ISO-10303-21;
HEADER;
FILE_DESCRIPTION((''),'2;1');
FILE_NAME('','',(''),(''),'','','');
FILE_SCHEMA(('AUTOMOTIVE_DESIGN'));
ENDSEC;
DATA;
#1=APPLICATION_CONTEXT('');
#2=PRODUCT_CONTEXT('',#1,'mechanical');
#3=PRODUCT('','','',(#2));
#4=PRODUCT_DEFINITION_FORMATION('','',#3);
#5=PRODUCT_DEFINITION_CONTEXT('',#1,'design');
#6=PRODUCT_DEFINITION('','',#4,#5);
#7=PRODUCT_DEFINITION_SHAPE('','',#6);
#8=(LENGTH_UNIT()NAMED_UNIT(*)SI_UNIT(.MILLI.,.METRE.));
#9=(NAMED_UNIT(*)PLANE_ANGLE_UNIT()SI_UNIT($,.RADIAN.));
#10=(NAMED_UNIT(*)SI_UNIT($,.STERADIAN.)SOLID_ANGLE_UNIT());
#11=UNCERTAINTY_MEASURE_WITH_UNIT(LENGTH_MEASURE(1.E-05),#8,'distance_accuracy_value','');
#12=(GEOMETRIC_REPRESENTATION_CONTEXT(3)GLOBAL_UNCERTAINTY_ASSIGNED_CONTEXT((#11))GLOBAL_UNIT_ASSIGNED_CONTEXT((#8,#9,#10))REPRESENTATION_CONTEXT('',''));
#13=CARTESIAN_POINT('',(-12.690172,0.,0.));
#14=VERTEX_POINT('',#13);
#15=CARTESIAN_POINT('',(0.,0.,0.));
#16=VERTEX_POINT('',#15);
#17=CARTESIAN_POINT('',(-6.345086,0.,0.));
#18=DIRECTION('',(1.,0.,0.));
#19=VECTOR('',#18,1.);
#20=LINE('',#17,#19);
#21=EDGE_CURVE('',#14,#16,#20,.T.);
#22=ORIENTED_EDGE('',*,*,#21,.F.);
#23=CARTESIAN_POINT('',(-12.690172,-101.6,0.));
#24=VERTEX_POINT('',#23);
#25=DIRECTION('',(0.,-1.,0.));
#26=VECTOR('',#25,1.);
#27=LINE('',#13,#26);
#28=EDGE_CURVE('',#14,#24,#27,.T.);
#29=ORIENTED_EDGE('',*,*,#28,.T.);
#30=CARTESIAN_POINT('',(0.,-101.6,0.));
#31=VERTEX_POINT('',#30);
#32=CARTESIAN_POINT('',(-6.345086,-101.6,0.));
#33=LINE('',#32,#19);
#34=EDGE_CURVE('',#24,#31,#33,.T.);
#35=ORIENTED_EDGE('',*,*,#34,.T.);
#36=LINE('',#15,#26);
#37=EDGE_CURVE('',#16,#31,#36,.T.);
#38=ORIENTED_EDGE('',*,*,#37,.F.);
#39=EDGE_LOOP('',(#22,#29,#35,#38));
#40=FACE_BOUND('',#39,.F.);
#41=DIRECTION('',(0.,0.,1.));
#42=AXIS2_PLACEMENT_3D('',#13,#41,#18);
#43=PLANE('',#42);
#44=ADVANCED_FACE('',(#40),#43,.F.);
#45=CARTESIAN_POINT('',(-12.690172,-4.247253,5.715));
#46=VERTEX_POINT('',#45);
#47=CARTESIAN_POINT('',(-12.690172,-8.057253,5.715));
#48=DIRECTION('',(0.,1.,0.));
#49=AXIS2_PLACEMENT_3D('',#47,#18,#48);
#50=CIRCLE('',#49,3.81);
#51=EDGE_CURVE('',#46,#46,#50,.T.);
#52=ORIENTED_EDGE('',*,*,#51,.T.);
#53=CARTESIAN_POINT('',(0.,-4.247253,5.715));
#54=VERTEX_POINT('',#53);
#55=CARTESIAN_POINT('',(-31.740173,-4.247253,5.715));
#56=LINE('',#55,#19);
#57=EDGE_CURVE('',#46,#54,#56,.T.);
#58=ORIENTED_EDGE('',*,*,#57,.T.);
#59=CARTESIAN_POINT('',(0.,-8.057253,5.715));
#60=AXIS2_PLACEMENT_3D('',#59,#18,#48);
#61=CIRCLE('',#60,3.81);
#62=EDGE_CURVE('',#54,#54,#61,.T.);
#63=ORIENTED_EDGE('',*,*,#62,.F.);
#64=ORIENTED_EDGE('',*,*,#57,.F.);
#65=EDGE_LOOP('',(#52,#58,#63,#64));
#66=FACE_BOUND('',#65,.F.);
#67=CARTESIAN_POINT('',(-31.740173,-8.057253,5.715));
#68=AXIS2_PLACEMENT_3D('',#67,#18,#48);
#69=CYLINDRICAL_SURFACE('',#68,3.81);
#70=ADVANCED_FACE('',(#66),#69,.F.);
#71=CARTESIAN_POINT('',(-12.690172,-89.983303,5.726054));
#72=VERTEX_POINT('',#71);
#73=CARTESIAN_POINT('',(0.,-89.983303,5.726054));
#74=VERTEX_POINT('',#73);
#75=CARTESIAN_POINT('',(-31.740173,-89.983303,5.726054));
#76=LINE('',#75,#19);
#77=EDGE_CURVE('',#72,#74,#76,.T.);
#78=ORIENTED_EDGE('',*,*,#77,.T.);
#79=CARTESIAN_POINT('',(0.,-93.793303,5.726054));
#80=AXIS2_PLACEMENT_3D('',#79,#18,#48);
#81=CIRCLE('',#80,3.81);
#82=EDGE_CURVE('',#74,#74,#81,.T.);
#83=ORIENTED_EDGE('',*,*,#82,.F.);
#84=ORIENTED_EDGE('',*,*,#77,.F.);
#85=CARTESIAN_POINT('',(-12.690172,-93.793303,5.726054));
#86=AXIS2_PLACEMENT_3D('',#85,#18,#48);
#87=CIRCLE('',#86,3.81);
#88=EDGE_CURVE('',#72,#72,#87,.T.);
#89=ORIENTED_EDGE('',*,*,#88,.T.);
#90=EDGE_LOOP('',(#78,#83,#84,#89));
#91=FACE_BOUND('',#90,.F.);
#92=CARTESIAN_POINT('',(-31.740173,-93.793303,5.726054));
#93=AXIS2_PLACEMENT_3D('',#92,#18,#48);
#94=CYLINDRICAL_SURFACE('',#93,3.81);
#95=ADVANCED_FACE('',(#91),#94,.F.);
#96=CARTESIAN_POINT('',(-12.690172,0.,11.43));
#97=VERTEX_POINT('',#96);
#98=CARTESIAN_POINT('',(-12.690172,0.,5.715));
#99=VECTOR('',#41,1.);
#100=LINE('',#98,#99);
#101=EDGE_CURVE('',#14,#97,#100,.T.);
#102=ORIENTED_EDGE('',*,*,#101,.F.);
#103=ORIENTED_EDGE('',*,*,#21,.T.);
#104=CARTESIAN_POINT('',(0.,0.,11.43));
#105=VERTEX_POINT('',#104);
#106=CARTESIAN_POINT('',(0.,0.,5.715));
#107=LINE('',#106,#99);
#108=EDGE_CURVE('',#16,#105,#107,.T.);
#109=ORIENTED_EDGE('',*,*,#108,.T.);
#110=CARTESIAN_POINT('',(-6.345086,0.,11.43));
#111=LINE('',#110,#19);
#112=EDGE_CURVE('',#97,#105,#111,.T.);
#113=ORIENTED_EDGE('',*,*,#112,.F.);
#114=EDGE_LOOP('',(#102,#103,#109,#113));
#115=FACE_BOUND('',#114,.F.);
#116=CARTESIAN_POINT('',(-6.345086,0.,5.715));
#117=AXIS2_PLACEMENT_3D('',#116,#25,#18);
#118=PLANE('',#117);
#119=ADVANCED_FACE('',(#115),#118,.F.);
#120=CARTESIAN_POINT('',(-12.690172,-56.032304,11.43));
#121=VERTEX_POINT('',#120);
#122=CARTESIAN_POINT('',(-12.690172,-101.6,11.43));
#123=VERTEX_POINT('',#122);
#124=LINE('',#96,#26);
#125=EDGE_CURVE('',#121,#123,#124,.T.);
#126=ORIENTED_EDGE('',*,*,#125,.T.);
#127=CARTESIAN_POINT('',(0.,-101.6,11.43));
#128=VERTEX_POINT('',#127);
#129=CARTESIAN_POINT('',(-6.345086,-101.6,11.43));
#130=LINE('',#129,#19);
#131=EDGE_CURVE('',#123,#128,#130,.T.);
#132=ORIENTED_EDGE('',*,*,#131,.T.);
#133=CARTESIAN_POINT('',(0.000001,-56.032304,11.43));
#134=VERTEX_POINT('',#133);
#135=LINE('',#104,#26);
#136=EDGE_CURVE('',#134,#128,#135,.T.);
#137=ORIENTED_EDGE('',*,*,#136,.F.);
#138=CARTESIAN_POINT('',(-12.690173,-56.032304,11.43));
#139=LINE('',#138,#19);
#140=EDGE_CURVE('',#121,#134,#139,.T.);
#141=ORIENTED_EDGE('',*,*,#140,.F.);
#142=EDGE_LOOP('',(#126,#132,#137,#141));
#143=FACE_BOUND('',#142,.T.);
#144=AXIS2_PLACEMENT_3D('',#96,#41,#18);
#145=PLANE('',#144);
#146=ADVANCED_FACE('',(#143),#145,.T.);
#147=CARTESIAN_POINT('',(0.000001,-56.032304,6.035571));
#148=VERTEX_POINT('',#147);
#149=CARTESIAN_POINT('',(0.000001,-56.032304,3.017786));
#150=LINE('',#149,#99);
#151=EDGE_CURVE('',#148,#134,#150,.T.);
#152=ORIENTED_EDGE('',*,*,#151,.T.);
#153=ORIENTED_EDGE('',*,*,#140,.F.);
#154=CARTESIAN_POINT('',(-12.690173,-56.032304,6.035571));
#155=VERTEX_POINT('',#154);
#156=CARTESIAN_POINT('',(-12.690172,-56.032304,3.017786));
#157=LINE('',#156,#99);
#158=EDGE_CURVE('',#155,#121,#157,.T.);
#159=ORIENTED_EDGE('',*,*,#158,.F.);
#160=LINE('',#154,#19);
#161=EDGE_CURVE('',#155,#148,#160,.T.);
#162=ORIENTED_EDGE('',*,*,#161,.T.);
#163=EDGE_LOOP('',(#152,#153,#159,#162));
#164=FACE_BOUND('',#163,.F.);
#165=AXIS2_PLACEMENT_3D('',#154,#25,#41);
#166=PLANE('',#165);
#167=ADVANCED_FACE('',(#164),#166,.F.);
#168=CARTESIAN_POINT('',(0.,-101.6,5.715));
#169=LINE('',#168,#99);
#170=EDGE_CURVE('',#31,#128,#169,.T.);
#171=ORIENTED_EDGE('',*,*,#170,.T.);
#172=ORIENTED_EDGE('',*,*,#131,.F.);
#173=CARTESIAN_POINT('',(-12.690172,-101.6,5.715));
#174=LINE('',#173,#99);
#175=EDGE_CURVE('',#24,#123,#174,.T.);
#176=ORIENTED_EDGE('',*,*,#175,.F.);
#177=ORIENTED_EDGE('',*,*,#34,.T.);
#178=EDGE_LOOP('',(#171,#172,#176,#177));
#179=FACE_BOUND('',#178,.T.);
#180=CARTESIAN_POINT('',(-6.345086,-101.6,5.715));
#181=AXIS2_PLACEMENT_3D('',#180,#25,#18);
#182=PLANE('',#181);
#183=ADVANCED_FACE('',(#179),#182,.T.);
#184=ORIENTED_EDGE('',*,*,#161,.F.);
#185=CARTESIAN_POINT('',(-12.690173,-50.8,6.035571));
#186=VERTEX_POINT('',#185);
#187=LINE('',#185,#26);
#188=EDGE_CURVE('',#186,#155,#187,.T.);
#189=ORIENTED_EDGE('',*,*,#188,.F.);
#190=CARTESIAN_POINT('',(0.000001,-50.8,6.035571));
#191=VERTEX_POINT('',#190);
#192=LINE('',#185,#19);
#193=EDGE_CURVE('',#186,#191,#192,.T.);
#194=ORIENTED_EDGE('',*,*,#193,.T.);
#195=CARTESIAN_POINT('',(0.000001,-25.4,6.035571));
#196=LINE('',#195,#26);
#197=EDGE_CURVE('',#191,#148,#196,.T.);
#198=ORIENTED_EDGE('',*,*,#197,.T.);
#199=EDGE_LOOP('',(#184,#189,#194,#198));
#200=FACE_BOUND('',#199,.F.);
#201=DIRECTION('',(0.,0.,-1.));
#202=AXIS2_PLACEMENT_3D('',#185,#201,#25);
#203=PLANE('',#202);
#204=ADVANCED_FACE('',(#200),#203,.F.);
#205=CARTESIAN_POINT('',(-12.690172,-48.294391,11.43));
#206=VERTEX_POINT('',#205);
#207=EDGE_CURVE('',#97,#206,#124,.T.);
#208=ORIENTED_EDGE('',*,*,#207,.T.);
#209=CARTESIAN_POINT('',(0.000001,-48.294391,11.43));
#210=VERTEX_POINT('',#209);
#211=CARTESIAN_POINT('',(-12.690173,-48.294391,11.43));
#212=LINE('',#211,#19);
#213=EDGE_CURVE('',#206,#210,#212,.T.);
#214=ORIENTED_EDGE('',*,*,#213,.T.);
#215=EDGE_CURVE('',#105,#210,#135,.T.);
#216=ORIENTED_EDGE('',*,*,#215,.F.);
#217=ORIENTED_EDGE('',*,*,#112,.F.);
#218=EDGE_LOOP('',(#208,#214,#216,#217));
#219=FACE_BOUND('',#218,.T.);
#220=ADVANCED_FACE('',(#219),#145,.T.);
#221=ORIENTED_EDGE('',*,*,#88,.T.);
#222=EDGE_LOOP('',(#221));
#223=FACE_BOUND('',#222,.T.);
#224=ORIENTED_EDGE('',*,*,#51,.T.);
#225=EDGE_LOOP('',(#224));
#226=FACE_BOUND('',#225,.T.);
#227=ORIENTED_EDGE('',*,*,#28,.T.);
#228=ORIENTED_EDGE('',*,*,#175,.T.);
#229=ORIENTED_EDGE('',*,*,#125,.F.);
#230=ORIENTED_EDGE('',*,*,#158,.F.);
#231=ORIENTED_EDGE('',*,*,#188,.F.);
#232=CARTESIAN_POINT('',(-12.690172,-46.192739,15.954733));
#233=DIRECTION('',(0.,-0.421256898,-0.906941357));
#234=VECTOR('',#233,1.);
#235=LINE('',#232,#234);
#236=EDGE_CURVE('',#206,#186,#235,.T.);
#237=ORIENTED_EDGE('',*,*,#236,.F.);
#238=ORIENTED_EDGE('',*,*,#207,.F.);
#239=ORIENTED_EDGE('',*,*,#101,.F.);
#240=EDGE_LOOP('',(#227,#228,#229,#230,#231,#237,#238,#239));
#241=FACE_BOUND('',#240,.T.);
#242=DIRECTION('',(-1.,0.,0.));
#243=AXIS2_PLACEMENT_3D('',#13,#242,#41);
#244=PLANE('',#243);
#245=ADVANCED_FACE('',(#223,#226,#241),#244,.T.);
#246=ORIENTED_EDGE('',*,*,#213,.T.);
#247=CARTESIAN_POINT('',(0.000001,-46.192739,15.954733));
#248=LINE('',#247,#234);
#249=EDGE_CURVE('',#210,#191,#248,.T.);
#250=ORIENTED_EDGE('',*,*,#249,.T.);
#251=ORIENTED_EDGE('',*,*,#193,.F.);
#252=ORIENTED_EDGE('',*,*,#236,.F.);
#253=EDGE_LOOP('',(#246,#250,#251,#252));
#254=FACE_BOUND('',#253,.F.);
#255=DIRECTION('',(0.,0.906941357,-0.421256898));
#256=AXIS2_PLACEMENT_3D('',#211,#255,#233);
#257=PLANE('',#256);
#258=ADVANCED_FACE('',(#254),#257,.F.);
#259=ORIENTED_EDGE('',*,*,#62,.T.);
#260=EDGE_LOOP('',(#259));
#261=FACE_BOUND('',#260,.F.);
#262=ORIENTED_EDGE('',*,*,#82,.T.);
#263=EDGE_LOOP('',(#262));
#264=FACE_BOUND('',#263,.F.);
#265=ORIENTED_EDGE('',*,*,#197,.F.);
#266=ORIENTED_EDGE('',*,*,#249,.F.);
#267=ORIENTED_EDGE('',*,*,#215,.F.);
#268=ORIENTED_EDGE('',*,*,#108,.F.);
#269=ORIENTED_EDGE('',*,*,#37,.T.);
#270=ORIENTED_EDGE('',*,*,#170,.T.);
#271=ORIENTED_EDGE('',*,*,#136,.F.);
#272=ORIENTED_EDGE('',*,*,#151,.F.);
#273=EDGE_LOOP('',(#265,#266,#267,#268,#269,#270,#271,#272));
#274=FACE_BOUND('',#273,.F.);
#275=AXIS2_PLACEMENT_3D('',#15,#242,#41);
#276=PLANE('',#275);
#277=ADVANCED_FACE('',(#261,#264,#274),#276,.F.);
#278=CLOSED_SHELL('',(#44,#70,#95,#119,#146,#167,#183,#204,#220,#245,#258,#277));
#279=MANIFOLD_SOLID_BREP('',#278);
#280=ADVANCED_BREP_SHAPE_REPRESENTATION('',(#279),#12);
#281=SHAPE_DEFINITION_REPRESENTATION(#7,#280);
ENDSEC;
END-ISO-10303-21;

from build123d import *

# Parameters (mm, degrees)
F0_W     = 12.690173
F0_H     = 11.43
F1_DEPTH = 101.6
F3_DEPTH = 25.4
F6_D     = 7.62
F6_DEPTH = 19.05
F7_D     = 7.62
F7_DEPTH = 19.05


with BuildPart() as f1:
    # F0 (on Front) → F1 (new body)
    with BuildSketch(Plane.XZ):
        with Locations((-6.345086, 5.715)):
            Rectangle(F0_W, F0_H)
    extrude(amount=F1_DEPTH)

    # F2 (on face) → F3 (cut)
    with BuildSketch(Plane(origin=(-12.690173, 0, 0), x_dir=(0, -1, 0), z_dir=(-1, 0, 0))):
        Polygon((50.8, 11.43), (48.294391, 11.43), (50.8, 6.035571), (56.032304, 6.035571), (56.032304, 11.43), align=None)
    extrude(amount=-F3_DEPTH, mode=Mode.SUBTRACT)

    # F6
    with Locations(Plane(origin=(-12.690173, 0, 0), x_dir=(0, -1, 0), z_dir=(-1, 0, 0))):
        with Locations((8.057253, 5.715)):
            Hole(F6_D / 2, depth=F6_DEPTH)

    # F7
    with Locations(Plane(origin=(-12.690173, 0, 0), x_dir=(0, -1, 0), z_dir=(-1, 0, 0))):
        with Locations((93.793303, 5.726054)):
            Hole(F7_D / 2, depth=F7_DEPTH)


solid = f1.part
